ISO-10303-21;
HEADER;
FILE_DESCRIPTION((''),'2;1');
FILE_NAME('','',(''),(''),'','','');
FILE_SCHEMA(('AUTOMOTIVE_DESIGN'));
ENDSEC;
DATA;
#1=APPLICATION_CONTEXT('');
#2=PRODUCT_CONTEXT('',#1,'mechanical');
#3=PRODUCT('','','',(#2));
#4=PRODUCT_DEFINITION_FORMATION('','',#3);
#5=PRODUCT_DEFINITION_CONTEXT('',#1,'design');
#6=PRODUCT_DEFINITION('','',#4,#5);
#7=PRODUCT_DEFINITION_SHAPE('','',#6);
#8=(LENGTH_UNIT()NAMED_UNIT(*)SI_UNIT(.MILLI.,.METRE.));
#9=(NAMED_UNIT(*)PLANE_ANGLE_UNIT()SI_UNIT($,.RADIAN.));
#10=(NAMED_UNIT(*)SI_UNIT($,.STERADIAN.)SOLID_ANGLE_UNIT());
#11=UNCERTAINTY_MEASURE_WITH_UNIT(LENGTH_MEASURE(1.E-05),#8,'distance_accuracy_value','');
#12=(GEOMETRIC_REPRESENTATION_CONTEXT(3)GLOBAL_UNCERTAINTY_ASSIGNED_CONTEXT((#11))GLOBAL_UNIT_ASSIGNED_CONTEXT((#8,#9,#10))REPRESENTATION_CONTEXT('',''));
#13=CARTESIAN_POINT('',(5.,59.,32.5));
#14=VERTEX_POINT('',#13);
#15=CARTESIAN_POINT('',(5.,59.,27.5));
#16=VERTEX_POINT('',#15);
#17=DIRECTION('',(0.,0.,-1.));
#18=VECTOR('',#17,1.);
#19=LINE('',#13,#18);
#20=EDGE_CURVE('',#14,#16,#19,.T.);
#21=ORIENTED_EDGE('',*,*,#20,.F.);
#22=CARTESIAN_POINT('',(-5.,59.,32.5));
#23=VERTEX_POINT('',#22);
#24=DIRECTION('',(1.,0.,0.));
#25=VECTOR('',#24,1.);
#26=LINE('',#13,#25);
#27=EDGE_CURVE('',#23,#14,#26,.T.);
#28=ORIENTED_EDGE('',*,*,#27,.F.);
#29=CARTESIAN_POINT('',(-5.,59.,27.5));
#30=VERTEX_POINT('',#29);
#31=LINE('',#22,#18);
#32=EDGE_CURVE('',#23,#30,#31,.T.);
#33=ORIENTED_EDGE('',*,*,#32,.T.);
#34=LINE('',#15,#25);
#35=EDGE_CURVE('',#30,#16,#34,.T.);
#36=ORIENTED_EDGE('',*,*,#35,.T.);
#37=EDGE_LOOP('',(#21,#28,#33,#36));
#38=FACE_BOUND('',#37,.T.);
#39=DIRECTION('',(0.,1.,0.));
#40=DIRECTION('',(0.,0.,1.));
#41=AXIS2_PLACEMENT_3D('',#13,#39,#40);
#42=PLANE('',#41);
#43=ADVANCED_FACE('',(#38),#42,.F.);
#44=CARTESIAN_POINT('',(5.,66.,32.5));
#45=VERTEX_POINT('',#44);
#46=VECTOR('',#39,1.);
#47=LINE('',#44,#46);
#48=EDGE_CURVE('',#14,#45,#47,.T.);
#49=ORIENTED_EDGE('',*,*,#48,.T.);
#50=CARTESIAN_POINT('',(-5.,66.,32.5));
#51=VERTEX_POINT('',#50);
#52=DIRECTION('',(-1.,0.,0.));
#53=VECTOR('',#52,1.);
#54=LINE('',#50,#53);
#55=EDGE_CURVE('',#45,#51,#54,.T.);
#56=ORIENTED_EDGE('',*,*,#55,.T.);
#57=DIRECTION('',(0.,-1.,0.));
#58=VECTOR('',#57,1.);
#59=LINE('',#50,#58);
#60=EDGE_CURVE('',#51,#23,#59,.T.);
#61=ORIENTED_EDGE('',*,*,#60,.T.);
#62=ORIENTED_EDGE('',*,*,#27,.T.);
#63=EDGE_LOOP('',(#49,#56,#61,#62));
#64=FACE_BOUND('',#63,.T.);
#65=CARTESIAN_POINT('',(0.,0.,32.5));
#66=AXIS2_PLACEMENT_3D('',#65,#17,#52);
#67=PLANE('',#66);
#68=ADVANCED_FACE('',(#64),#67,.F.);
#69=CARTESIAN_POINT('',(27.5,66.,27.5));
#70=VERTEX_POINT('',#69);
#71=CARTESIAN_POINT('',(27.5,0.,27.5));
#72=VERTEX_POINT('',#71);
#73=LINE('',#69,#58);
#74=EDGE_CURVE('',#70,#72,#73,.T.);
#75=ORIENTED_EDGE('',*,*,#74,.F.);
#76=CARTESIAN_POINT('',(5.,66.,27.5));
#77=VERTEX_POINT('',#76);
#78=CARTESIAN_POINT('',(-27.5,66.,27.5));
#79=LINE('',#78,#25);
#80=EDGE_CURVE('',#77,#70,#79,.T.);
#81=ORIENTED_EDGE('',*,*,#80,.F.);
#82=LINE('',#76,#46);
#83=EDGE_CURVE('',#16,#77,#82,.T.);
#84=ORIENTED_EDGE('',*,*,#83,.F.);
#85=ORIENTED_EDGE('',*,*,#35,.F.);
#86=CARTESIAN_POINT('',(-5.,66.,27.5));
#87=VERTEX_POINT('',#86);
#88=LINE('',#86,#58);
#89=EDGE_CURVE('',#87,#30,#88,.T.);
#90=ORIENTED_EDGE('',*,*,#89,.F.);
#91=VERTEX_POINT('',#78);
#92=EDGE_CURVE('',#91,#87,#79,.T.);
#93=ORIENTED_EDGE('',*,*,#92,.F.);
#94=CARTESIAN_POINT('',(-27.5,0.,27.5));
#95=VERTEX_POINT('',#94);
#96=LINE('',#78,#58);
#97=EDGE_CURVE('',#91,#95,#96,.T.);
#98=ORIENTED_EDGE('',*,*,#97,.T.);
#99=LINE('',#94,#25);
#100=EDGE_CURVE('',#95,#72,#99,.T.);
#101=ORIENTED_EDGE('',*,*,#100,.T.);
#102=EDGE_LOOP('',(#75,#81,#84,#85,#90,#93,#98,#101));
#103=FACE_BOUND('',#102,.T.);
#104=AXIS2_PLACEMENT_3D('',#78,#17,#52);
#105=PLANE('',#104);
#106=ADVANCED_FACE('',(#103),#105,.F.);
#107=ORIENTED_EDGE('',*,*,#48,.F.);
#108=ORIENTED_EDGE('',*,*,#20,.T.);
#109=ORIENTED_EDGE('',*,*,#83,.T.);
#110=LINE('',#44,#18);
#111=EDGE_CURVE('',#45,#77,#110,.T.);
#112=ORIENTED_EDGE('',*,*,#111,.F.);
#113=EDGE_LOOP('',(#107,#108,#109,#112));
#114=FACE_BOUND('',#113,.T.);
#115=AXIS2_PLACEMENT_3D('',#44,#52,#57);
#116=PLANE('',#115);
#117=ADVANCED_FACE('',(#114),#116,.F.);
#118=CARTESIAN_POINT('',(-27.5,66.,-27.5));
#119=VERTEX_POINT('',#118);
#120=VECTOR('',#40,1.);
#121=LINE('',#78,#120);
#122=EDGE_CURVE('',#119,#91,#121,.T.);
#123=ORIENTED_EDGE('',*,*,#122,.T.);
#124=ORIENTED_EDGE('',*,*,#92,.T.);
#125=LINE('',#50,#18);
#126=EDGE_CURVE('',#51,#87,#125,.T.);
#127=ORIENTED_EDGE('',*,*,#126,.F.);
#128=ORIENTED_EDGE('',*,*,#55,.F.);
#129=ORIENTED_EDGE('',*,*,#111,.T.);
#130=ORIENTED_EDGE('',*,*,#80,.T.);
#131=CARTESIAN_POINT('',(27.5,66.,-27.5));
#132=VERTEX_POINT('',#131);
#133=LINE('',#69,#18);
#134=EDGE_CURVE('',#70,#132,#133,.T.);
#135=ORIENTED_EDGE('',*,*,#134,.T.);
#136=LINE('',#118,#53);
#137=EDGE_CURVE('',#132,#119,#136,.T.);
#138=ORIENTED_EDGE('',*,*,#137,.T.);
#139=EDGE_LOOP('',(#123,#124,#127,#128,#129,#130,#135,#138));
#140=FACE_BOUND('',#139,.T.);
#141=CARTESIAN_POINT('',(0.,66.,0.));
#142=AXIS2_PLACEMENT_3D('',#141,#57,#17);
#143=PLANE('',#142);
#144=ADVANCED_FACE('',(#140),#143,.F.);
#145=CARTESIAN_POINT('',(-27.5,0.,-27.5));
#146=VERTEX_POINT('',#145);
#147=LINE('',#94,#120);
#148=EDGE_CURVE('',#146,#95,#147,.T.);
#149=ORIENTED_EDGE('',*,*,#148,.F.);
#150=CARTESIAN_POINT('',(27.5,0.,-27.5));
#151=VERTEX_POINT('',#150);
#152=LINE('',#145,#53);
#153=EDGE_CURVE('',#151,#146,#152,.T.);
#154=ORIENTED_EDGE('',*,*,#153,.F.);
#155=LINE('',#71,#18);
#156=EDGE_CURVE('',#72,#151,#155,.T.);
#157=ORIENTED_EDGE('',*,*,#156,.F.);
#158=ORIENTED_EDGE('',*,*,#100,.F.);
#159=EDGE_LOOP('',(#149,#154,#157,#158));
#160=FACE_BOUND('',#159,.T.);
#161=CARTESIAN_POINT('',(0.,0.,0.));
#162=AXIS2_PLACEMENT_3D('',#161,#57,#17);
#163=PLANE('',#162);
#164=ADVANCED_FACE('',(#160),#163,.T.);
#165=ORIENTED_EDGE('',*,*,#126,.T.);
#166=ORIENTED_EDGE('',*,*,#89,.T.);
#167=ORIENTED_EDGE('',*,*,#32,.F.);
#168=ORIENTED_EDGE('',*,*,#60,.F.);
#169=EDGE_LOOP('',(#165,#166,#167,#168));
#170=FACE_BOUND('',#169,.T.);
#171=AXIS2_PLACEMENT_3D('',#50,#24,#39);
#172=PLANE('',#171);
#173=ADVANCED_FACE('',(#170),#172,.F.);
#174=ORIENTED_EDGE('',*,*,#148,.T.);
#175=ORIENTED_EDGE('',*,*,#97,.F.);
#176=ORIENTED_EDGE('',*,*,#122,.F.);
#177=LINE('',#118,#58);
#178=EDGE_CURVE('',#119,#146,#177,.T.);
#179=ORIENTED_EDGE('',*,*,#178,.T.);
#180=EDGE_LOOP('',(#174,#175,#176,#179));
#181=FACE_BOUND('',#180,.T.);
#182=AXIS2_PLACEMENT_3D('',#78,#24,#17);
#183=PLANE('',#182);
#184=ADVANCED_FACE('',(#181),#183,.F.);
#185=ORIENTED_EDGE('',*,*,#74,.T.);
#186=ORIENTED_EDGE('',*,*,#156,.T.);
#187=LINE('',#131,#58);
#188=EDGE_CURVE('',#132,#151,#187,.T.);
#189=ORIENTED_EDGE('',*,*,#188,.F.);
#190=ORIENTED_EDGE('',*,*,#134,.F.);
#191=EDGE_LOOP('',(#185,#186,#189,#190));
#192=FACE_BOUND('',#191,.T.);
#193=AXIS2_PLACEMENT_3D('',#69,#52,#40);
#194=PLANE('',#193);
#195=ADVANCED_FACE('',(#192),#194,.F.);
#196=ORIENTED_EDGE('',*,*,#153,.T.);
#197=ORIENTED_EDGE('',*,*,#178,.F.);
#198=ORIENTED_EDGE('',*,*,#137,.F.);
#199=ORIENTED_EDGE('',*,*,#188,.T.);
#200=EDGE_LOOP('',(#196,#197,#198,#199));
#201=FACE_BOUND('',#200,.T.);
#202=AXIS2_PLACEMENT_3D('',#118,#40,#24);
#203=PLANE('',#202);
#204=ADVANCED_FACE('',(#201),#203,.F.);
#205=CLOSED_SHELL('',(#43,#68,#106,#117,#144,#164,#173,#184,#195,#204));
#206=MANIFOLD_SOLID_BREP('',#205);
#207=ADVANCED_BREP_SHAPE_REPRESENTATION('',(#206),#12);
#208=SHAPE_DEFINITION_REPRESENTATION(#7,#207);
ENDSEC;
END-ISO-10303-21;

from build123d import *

# Parameters (mm, degrees)
SKETCH_1_W      = 55
SKETCH_1_H      = 55
EXTRUDE_1_DEPTH = 66
SKETCH_2_W      = 10
SKETCH_2_H      = 7
EXTRUDE_2_DEPTH = 5


with BuildPart() as part:
    # 草图1 → 凸台-拉伸1 (new body)
    with BuildSketch(Plane(origin=(0, 0, 0), x_dir=(1, 0, 0), z_dir=(0, 1, 0))):
        Rectangle(SKETCH_1_W, SKETCH_1_H)
    extrude(amount=EXTRUDE_1_DEPTH)

    # 草图2 → 凸台-拉伸2 (add)
    with BuildSketch(Plane.XY.offset(27.5)):
        with Locations((0, 62.5)):
            Rectangle(SKETCH_2_W, SKETCH_2_H)
    extrude(amount=EXTRUDE_2_DEPTH)


solid = part.part
